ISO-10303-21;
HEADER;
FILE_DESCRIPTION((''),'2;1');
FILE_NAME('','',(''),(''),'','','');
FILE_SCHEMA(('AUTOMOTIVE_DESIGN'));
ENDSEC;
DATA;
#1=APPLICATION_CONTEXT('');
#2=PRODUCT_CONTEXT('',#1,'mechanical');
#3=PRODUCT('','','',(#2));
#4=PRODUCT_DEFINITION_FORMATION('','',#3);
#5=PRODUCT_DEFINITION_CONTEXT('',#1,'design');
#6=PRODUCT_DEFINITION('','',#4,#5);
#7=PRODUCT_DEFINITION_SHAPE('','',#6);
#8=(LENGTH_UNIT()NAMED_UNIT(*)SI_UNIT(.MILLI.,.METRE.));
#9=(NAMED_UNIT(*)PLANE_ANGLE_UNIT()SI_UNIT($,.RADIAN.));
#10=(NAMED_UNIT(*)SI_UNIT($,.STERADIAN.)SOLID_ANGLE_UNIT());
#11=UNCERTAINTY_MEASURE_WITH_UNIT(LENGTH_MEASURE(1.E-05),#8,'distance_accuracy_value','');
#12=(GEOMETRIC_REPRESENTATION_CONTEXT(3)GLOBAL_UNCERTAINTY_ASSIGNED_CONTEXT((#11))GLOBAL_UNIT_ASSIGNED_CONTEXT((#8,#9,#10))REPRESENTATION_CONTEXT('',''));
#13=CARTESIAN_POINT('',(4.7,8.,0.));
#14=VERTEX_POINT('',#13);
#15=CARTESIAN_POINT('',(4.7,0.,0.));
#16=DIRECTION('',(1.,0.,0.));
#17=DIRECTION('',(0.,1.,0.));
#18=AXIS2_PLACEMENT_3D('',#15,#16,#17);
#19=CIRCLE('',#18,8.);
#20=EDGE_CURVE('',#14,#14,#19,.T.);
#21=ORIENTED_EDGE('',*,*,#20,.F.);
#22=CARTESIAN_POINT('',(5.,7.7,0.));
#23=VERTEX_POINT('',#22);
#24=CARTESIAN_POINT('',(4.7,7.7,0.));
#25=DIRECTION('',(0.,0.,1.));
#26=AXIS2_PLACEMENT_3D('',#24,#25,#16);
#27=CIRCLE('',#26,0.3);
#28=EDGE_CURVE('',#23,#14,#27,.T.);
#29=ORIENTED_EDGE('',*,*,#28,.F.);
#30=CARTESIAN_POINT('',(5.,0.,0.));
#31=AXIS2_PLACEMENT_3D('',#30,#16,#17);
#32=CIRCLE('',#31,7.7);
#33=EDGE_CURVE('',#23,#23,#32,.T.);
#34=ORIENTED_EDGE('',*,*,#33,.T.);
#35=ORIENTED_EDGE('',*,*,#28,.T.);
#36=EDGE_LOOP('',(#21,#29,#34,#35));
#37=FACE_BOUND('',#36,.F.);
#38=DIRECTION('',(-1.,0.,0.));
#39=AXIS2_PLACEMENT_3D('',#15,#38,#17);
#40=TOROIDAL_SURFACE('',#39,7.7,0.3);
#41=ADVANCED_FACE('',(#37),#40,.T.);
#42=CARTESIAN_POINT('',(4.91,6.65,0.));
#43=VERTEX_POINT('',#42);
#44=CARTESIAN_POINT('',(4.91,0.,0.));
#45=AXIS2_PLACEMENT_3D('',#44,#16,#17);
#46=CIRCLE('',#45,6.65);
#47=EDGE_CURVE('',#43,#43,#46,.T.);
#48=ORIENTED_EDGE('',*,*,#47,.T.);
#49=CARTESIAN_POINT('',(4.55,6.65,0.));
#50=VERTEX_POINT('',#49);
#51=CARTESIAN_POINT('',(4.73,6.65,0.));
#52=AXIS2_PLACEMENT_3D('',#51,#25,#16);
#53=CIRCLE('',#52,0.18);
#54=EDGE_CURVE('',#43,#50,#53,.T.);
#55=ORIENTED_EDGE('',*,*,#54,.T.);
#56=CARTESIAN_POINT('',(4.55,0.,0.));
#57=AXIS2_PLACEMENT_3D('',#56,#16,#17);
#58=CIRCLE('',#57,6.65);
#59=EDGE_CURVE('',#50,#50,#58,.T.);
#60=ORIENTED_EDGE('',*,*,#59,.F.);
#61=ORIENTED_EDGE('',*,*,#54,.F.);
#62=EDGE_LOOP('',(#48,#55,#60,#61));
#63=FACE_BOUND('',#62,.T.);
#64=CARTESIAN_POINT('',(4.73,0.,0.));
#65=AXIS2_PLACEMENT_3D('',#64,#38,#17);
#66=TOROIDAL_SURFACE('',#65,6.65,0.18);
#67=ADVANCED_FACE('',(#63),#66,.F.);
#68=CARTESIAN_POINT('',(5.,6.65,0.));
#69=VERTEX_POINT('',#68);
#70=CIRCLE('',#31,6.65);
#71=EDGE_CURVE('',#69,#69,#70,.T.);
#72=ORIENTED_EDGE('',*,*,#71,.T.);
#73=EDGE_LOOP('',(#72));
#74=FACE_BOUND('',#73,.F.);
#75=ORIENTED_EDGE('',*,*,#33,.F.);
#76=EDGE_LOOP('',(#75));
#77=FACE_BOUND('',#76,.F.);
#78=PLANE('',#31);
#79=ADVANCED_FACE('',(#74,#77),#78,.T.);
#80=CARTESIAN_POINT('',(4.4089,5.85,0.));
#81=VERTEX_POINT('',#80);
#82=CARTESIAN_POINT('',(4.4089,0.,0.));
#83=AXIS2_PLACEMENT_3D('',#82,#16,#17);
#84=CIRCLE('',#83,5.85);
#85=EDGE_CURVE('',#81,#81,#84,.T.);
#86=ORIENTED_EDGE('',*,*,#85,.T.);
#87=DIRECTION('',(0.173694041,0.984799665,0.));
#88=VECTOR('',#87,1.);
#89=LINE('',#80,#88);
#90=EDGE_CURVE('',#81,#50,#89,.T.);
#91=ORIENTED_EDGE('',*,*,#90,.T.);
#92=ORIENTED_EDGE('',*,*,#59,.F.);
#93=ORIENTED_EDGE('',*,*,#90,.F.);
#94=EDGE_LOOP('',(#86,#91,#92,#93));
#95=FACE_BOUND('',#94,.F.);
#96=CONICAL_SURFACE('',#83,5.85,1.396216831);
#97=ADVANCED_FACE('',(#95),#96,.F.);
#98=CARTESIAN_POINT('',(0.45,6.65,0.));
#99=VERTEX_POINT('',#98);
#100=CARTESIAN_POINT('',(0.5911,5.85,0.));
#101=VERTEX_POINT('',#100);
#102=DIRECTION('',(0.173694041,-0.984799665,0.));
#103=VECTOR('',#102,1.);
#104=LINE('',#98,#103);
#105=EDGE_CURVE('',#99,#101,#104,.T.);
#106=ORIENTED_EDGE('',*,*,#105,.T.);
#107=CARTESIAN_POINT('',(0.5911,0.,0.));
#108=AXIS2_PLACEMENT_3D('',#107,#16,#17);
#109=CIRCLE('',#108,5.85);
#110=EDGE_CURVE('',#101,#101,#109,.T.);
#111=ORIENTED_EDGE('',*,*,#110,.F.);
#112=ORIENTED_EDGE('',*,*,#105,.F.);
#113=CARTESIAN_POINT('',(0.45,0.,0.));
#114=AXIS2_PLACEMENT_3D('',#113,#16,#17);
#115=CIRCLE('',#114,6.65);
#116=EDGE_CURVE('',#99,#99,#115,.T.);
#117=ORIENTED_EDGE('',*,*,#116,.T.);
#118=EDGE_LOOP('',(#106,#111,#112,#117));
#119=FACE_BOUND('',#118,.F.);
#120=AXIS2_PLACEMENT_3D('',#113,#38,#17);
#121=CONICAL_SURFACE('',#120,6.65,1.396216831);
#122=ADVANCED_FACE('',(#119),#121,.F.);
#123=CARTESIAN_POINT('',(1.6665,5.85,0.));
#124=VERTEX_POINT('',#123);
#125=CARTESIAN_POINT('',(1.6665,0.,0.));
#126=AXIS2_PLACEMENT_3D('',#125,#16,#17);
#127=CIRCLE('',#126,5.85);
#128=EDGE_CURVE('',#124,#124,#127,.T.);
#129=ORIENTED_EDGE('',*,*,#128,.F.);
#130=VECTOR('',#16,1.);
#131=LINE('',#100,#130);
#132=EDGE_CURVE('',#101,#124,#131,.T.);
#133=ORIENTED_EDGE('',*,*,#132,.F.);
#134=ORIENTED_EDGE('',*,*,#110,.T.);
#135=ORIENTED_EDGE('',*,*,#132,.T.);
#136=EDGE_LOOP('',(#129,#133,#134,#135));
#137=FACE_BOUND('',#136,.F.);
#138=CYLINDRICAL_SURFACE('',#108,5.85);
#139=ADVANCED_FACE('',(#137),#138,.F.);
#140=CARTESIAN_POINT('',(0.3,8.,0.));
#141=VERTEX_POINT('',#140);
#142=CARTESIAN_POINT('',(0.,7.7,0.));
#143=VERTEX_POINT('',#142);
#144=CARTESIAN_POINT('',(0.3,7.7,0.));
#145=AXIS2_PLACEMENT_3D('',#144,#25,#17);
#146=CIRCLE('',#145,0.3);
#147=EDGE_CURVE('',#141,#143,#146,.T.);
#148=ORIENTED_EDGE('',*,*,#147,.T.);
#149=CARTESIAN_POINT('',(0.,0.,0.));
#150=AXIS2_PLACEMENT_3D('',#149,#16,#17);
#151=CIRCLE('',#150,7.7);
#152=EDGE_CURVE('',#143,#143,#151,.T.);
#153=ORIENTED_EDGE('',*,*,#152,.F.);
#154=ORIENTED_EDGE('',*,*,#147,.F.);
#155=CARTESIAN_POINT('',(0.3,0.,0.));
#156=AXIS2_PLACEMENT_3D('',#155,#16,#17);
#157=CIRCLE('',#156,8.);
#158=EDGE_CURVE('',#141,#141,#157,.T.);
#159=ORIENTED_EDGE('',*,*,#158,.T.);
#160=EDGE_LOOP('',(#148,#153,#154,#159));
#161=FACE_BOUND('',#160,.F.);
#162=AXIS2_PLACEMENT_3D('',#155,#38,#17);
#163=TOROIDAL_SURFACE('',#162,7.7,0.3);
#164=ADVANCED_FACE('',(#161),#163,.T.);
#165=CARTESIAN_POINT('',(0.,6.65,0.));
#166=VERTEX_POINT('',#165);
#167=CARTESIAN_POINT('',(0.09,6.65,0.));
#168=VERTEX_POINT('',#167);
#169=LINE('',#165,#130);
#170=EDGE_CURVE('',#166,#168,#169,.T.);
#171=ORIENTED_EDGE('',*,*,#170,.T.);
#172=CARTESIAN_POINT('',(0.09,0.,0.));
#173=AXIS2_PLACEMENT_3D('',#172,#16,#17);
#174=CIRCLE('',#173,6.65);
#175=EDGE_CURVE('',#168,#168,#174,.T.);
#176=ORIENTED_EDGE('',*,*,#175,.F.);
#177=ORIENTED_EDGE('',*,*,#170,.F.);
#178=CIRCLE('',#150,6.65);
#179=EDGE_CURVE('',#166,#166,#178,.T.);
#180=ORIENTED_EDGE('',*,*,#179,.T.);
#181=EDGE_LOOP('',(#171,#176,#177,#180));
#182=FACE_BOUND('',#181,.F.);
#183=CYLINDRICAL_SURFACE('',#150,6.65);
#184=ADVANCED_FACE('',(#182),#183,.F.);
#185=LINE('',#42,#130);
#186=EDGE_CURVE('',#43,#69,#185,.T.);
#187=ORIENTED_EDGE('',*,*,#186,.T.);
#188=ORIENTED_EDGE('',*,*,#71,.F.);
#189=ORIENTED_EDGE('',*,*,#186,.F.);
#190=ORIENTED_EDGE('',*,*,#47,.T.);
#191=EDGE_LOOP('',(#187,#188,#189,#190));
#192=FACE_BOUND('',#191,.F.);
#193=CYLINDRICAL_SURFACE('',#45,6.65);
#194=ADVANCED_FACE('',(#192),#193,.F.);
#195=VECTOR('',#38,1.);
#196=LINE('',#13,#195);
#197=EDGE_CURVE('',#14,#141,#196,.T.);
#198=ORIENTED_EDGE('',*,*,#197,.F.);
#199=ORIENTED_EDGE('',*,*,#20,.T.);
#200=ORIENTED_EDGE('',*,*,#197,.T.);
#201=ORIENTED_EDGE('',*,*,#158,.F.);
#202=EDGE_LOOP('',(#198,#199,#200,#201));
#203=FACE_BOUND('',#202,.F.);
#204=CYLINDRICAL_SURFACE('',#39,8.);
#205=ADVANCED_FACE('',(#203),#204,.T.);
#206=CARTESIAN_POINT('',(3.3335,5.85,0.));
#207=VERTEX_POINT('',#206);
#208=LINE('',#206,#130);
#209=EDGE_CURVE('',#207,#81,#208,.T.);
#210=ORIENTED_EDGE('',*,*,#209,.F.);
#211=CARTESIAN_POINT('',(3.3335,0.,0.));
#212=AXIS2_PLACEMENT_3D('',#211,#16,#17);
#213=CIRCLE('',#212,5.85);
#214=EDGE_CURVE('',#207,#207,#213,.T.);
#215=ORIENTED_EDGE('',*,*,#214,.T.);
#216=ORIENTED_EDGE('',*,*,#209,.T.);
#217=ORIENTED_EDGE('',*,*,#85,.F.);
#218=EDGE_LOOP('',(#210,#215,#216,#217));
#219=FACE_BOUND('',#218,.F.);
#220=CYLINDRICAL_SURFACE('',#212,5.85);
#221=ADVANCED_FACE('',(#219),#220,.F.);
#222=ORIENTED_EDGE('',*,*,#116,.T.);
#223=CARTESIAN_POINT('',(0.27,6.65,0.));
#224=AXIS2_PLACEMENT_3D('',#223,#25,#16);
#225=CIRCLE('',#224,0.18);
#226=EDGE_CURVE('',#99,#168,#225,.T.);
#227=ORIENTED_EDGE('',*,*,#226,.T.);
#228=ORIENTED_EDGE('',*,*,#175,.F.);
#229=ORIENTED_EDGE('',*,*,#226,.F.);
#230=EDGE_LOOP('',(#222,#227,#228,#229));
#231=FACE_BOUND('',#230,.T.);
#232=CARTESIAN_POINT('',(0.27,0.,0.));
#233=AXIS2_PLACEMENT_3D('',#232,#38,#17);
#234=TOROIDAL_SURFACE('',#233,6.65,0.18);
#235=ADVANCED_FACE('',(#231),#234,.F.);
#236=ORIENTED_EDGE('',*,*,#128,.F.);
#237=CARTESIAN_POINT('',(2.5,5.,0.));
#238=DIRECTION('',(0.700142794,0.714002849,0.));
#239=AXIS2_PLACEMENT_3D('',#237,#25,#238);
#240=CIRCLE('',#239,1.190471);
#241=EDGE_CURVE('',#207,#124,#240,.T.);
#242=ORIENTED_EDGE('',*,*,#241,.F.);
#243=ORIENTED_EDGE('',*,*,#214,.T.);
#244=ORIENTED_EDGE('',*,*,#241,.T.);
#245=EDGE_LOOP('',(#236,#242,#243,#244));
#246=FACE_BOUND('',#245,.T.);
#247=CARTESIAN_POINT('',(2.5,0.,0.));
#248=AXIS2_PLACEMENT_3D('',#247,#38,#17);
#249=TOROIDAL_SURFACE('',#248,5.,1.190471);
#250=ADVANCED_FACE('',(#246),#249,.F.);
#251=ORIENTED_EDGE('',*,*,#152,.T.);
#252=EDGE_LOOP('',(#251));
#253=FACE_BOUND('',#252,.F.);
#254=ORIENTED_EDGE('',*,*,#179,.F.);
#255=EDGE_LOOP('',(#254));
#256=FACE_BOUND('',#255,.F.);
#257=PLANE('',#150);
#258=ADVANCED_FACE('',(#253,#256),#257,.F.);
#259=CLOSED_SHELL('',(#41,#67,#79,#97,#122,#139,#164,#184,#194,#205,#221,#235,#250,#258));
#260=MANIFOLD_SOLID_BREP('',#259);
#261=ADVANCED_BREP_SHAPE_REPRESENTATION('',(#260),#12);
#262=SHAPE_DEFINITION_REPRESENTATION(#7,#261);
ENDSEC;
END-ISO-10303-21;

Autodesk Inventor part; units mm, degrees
ref_plane "YZ Plane" through (0, 0, 0) normal (1, 0, 0) x (0, 1, 0)
ref_plane "XZ Plane" through (0, 0, 0) normal (0, 1, 0) x (-1, 0, 0)
ref_plane "XY Plane" through (0, 0, 0) normal (0, 0, 1) x (1, 0, 0)
sketch "Sketch_22" plane through (0, 0, 0) normal (0, 0, 1) x (1, 0, 0)
  line L0 (50, 0) -> (-50, 0)
  line L1 (0, 6.65) -> (0.09, 6.65)
  arc A0 (0.45, 6.65) -> (0.09, 6.65) centre (0.27, 6.65) ccw
  line L2 (0.45, 6.65) -> (0.5911, 5.85)
  line L3 (0.5911, 5.85) -> (1.6665, 5.85)
  arc A1 (3.3335, 5.85) -> (1.6665, 5.85) centre (2.5, 5) ccw
  line L4 (3.3335, 5.85) -> (4.4089, 5.85)
  line L5 (4.4089, 5.85) -> (4.55, 6.65)
  arc A2 (4.91, 6.65) -> (4.55, 6.65) centre (4.73, 6.65) ccw
  line L6 (4.91, 6.65) -> (5, 6.65)
  line L7 (5, 6.65) -> (5, 7.7)
  arc A3 (5, 7.7) -> (4.7, 8) centre (4.7, 7.7) ccw
  line L8 (4.7, 8) -> (0.3, 8)
  arc A4 (0.3, 8) -> (0, 7.7) centre (0.3, 7.7) ccw
  line L9 (0, 7.7) -> (0, 6.65)
revolve "Revolution1" add sketch "Sketch_22" angle 360 about axis through (50, 0, 0) along (1, 0, 0)
properties part number "SKF_634-2Z_PART2"
